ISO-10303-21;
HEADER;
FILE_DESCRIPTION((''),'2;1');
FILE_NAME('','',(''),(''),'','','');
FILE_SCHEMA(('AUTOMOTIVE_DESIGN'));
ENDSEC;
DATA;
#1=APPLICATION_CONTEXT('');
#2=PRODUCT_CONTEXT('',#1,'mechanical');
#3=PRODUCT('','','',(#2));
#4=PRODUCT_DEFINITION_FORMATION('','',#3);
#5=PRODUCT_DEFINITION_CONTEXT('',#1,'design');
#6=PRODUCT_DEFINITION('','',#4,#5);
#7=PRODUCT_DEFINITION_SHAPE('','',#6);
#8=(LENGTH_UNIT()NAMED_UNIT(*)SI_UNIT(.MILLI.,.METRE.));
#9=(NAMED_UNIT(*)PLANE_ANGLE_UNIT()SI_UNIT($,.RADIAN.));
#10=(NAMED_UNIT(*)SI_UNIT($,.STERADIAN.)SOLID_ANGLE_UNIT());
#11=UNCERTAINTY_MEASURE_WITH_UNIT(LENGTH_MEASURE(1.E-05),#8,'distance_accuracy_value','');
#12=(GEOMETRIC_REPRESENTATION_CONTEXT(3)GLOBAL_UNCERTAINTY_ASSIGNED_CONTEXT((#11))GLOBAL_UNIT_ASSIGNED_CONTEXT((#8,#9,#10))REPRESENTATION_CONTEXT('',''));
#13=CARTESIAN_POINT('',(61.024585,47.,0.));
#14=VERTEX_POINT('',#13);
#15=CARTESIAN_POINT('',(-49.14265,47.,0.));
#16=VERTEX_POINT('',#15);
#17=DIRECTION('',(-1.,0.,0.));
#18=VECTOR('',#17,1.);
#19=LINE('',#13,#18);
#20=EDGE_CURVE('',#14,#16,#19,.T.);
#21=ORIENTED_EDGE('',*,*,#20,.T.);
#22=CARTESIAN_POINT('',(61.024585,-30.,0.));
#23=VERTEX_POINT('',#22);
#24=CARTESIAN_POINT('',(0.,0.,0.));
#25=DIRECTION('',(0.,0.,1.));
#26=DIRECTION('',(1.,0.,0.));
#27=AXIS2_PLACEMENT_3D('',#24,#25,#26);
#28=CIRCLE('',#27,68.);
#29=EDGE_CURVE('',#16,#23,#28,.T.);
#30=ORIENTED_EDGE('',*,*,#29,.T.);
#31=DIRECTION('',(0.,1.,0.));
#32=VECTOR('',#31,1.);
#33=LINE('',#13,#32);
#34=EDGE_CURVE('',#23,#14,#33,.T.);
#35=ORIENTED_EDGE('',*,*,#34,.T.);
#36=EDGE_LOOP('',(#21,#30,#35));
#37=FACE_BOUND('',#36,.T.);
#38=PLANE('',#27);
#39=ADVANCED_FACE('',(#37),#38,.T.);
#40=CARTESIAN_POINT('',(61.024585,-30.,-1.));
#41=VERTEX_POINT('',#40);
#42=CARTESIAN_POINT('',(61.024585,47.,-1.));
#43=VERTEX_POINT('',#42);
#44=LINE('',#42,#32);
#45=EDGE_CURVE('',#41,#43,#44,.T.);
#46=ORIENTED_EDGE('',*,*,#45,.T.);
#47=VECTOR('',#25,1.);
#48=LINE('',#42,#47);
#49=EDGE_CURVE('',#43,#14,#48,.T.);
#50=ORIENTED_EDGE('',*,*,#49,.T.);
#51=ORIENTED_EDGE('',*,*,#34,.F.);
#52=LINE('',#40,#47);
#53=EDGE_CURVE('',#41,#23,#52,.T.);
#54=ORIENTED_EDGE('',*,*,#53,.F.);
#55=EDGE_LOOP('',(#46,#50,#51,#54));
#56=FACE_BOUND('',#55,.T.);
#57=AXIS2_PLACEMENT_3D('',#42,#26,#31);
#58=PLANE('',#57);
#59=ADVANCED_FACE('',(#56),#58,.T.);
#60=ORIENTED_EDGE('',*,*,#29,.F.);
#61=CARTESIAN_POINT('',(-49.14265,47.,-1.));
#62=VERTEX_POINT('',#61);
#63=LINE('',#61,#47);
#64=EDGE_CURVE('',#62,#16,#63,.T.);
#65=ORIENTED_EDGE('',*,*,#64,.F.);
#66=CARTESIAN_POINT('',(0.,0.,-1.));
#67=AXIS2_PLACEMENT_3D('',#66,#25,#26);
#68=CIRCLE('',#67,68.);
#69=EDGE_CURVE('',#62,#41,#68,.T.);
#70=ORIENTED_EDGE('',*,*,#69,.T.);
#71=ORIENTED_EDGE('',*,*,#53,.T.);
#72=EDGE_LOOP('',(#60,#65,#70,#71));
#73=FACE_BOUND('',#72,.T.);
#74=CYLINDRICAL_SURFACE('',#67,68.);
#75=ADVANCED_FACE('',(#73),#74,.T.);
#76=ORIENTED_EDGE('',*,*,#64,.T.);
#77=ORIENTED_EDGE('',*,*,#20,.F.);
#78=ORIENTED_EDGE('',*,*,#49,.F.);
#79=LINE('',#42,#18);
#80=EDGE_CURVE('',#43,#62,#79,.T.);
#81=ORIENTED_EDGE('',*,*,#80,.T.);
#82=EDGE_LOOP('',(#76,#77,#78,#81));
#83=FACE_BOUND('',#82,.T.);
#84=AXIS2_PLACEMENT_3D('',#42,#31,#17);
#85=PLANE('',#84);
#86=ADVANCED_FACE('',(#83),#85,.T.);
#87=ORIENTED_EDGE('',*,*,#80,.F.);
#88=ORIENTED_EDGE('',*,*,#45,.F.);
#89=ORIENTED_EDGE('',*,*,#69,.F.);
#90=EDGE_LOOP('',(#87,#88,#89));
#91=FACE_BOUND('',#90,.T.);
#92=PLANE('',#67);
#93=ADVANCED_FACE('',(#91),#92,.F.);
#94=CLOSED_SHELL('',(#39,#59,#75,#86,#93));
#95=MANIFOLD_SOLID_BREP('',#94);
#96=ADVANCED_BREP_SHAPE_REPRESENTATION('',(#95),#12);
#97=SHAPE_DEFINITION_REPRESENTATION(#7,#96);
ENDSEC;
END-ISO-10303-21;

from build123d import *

# Parameters (mm, degrees)
BOSS_EXTRUDE1_DEPTH = 1


with BuildPart() as part:
    # Sketch1 → Boss-Extrude1 (new body)
    with BuildSketch(Plane.XY):
        with BuildLine():
            Line((61.02458521, 47), (61.02458521, -30))
            ThreePointArc((61.02458521, -30), (-38.955681217, -55.735580207), (-49.142649501, 47))
            Line((-49.142649501, 47), (61.02458521, 47))
        make_face()
    extrude(amount=-BOSS_EXTRUDE1_DEPTH)


solid = part.part
